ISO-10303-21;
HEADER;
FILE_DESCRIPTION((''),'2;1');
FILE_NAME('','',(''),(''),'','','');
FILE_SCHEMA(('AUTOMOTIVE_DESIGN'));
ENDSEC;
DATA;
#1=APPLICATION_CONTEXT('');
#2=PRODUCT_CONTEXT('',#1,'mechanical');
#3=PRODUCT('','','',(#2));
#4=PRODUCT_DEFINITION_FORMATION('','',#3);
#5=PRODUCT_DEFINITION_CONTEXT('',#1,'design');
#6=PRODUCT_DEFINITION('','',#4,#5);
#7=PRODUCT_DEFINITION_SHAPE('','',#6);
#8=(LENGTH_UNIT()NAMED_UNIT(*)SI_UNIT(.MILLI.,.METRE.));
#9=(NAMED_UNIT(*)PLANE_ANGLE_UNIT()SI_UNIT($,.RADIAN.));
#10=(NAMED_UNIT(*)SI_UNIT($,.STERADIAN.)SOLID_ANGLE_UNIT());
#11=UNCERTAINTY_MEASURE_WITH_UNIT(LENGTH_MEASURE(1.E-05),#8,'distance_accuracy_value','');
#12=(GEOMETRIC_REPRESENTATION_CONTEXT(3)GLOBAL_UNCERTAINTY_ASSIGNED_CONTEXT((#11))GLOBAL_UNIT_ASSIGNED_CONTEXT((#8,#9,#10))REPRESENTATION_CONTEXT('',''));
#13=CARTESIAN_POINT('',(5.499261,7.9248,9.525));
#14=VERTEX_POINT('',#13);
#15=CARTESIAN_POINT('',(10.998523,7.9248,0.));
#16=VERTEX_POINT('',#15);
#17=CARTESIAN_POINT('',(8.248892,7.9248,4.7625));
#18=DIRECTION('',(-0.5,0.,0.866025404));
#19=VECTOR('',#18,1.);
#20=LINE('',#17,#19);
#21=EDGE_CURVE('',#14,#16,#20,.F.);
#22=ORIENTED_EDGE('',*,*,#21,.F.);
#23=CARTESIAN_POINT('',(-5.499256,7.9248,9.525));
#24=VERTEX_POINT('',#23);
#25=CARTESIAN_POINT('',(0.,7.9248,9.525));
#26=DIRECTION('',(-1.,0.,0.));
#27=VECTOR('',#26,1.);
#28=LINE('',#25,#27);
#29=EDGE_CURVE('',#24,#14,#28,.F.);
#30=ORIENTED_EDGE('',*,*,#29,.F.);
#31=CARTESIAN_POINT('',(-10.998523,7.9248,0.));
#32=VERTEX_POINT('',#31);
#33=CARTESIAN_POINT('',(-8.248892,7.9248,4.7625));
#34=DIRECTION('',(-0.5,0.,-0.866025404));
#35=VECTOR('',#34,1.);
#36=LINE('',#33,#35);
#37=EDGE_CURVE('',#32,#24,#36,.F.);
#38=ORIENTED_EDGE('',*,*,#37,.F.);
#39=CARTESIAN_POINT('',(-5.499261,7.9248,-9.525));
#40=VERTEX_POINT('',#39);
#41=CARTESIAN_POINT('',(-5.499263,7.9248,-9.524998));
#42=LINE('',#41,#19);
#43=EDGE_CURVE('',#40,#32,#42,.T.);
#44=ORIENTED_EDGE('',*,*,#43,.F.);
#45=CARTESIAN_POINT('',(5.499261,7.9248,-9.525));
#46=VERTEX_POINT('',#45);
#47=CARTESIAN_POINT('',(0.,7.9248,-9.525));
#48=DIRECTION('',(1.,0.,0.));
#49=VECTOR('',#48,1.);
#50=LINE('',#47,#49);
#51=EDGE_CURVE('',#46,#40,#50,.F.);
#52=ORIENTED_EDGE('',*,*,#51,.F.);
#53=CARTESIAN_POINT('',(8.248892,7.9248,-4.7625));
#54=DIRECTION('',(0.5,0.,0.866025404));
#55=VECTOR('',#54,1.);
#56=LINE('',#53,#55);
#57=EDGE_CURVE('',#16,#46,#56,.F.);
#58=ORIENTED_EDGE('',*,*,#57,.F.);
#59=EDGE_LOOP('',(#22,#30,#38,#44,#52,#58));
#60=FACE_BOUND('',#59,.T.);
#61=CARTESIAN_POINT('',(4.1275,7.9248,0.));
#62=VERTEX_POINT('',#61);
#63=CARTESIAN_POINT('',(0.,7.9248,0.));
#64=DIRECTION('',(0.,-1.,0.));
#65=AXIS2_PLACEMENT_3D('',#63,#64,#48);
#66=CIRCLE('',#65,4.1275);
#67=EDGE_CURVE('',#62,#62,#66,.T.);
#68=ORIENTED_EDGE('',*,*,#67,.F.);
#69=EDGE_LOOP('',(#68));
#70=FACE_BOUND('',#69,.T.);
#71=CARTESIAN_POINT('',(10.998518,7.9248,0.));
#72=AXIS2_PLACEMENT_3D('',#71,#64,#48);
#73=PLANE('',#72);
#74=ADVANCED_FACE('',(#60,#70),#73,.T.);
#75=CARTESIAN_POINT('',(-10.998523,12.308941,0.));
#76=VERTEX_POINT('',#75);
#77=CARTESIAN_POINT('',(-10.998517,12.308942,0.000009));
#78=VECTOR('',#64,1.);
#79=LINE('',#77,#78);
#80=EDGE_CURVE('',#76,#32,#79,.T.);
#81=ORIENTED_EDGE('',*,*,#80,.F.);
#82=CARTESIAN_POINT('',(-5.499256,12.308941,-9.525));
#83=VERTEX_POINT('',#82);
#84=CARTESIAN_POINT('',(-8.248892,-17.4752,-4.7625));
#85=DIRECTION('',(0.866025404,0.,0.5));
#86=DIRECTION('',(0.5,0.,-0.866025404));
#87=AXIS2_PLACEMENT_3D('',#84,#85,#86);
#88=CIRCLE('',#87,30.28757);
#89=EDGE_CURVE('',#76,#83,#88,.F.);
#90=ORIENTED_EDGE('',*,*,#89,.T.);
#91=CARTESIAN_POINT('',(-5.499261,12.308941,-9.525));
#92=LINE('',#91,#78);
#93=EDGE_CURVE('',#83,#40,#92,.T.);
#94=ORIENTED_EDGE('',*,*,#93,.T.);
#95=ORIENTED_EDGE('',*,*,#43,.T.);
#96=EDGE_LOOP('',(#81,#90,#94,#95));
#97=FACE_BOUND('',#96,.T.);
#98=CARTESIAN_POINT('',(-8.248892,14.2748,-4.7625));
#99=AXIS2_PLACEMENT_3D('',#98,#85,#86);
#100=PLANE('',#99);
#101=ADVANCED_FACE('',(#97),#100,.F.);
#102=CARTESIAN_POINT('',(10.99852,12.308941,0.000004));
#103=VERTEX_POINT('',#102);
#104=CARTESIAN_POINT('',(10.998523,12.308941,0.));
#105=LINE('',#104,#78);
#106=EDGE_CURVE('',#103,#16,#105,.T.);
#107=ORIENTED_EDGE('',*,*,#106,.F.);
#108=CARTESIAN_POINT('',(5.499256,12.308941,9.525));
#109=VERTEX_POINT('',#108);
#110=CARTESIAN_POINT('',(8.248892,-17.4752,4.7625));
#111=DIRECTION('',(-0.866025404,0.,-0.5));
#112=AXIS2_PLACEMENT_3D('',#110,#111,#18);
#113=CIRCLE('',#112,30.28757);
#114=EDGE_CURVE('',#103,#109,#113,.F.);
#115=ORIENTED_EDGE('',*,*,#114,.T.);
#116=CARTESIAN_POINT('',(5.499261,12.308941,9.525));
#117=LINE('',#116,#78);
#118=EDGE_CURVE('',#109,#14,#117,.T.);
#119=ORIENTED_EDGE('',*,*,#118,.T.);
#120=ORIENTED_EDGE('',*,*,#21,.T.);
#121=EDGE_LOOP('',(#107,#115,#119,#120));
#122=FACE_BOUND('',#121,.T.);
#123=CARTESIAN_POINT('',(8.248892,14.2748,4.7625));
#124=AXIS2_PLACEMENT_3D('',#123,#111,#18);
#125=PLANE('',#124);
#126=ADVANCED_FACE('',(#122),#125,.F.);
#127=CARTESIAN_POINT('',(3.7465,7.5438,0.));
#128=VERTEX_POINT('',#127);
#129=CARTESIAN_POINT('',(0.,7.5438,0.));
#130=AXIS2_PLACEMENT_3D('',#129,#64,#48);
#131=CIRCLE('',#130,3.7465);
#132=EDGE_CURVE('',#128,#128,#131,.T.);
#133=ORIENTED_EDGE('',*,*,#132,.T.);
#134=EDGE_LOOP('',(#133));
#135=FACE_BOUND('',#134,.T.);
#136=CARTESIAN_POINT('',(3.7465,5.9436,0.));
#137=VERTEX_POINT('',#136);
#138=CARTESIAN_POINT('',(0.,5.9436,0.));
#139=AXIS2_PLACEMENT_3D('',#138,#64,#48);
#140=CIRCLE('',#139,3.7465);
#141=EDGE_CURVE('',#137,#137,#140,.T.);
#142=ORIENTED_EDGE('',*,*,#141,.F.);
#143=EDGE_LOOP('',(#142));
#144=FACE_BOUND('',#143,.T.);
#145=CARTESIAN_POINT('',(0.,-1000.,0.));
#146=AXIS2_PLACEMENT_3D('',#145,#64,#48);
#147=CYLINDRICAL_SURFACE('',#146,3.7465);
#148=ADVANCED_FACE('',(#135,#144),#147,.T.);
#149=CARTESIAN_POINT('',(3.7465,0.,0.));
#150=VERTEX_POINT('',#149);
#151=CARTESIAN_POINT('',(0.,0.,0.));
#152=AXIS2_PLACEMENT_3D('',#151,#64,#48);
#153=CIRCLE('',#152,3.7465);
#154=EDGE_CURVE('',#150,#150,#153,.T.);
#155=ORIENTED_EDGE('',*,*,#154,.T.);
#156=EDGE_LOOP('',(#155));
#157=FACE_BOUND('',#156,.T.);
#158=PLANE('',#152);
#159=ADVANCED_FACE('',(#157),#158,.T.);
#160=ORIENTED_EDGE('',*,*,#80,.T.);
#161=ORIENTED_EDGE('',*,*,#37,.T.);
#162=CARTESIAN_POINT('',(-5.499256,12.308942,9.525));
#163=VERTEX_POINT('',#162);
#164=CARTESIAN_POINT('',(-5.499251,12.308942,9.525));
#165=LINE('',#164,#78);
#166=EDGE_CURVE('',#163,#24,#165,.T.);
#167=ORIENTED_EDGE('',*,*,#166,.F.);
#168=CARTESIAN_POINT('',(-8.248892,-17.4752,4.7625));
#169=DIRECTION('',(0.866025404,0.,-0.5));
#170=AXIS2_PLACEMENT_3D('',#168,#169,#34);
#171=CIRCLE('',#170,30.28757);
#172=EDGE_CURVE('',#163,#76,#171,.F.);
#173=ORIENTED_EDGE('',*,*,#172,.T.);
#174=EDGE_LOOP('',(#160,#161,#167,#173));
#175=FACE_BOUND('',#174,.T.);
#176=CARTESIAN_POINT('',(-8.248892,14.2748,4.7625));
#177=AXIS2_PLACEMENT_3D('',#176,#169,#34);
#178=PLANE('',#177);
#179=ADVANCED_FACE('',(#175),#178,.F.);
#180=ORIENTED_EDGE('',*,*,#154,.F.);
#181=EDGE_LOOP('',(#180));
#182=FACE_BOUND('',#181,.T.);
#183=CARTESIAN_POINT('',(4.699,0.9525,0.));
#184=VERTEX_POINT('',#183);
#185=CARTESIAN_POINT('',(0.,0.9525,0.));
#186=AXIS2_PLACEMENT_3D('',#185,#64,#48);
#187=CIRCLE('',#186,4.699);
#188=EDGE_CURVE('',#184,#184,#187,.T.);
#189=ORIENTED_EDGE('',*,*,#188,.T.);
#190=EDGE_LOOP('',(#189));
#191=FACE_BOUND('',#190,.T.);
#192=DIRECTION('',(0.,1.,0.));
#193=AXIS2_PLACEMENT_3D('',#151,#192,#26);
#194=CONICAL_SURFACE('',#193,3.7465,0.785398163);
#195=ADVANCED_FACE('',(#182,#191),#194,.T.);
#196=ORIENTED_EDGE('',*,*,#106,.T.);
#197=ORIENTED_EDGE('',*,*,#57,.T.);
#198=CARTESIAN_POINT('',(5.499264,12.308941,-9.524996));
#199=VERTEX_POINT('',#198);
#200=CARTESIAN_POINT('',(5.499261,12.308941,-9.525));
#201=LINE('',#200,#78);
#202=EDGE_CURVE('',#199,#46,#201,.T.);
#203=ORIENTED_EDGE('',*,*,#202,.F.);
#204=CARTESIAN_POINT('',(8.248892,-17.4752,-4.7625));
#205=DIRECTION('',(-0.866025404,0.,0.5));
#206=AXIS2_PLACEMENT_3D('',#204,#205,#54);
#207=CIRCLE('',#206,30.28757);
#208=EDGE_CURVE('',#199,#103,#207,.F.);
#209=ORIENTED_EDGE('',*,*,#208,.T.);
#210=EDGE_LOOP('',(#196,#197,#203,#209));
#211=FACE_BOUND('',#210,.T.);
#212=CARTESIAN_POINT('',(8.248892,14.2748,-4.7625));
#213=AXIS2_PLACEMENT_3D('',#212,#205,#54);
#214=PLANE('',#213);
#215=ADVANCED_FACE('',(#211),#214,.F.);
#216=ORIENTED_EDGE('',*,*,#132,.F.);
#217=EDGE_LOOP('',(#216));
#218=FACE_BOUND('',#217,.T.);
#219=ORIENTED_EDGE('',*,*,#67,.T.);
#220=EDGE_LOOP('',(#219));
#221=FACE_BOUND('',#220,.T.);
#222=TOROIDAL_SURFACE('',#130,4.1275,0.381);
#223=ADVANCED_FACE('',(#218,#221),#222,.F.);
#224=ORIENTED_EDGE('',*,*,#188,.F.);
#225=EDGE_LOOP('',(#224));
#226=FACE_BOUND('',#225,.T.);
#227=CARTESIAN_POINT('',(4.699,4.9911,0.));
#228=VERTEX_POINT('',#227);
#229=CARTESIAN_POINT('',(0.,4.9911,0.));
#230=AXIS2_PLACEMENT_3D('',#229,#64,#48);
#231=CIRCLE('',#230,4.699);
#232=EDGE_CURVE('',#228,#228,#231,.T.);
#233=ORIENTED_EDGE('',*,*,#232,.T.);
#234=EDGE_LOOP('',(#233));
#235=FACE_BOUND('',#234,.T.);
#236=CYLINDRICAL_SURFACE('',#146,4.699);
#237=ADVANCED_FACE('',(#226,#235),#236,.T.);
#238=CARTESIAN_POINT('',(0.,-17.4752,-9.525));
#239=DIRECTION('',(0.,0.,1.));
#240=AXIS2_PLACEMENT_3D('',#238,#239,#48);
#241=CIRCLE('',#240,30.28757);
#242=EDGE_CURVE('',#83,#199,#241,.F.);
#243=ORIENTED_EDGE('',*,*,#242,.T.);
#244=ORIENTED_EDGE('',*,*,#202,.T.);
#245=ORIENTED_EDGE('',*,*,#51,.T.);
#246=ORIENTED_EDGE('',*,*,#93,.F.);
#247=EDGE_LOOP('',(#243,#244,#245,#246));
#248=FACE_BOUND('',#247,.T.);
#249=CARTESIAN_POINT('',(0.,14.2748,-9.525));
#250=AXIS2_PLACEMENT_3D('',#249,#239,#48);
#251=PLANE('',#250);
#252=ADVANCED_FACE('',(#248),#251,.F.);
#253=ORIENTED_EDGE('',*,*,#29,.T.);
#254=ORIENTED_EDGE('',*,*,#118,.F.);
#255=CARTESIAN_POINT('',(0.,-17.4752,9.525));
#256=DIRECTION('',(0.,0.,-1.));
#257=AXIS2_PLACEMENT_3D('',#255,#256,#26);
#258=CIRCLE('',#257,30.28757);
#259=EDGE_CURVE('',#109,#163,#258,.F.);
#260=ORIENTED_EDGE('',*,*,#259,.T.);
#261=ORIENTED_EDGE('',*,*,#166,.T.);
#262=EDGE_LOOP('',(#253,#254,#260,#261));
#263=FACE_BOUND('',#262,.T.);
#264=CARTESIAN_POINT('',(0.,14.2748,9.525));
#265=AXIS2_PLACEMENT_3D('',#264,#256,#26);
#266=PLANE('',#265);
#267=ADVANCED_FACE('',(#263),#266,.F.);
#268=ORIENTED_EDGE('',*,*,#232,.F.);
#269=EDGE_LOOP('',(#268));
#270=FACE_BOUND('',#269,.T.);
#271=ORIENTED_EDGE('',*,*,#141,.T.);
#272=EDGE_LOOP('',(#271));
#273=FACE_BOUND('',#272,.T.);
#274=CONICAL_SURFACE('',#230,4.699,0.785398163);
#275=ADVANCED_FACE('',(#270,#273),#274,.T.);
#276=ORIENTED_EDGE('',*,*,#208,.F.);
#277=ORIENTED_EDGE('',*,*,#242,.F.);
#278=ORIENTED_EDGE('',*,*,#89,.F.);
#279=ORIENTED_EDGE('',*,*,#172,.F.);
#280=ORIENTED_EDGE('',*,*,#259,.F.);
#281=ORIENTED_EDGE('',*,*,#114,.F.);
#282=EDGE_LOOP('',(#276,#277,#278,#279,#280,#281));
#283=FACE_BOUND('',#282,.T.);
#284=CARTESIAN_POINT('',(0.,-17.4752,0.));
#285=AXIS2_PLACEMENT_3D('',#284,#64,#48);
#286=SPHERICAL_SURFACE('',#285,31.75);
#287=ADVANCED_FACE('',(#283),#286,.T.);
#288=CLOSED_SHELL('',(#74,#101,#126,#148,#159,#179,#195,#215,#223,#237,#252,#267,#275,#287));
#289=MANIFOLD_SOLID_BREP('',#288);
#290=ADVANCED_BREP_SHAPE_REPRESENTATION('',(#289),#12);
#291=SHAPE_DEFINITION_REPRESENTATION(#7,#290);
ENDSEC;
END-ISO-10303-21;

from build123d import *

# Parameters (mm, degrees)
CUT_EXTRUDE2_DEPTH = 14.2748


with BuildPart() as part:
    # Sketch3 → Revolve1 (revolve)
    with BuildSketch(Plane.XY):
        with BuildLine():
            Line((4.699, 4.9911), (4.699, 0.9525))
            Line((4.699, 0.9525), (3.7465, 0))
            Line((3.7465, 0), (0, 0))
            Line((0, 0), (0, 14.2748))
            ThreePointArc((0, 14.2748), (5.586411751, 13.779471711), (10.9985175, 12.308941969))
            Line((10.9985175, 12.308941969), (10.9985175, 7.9248))
            Line((10.9985175, 7.9248), (4.1275, 7.9248))
            ThreePointArc((4.1275, 7.9248), (3.858092316, 7.813207684), (3.7465, 7.5438))
            Line((3.7465, 7.5438), (3.7465, 5.9436))
            Line((3.7465, 5.9436), (4.699, 4.9911))
        make_face()
    revolve(axis=Axis((0, -1000, 0), (0, 1, 0)))

    # Sketch1 → Cut-Extrude2 (cut)
    with BuildSketch(Plane(origin=(0, 0, 0), x_dir=(1, 0, 0), z_dir=(0, 1, 0))):
        with BuildLine():
            ThreePointArc((-5.499261314, -9.525), (0, -10.998522628), (5.499261314, -9.525))
            Line((5.499261314, -9.525), (-5.499261314, -9.525))
        make_face()
        with BuildLine():
            ThreePointArc((-10.998522628, 0), (-9.525, -5.499261314), (-5.499261314, -9.525))
            Line((-5.499261314, -9.525), (-10.998522628, 0))
        make_face()
        with BuildLine():
            ThreePointArc((5.499261314, -9.525), (9.525, -5.499261314), (10.998522628, 0))
            Line((10.998522628, 0), (5.499261314, -9.525))
        make_face()
        with BuildLine():
            Line((5.499261314, 9.525), (10.998522628, 0))
            ThreePointArc((10.998522628, 0), (9.525, 5.499261314), (5.499261314, 9.525))
        make_face()
        with BuildLine():
            Line((-5.499261314, 9.525), (5.499261314, 9.525))
            ThreePointArc((5.499261314, 9.525), (0, 10.998522628), (-5.499261314, 9.525))
        make_face()
        with BuildLine():
            Line((-10.998522628, 0), (-5.499261314, 9.525))
            ThreePointArc((-5.499261314, 9.525), (-9.525, 5.499261314), (-10.998522628, 0))
        make_face()
    extrude(amount=CUT_EXTRUDE2_DEPTH, mode=Mode.SUBTRACT)


solid = part.part
